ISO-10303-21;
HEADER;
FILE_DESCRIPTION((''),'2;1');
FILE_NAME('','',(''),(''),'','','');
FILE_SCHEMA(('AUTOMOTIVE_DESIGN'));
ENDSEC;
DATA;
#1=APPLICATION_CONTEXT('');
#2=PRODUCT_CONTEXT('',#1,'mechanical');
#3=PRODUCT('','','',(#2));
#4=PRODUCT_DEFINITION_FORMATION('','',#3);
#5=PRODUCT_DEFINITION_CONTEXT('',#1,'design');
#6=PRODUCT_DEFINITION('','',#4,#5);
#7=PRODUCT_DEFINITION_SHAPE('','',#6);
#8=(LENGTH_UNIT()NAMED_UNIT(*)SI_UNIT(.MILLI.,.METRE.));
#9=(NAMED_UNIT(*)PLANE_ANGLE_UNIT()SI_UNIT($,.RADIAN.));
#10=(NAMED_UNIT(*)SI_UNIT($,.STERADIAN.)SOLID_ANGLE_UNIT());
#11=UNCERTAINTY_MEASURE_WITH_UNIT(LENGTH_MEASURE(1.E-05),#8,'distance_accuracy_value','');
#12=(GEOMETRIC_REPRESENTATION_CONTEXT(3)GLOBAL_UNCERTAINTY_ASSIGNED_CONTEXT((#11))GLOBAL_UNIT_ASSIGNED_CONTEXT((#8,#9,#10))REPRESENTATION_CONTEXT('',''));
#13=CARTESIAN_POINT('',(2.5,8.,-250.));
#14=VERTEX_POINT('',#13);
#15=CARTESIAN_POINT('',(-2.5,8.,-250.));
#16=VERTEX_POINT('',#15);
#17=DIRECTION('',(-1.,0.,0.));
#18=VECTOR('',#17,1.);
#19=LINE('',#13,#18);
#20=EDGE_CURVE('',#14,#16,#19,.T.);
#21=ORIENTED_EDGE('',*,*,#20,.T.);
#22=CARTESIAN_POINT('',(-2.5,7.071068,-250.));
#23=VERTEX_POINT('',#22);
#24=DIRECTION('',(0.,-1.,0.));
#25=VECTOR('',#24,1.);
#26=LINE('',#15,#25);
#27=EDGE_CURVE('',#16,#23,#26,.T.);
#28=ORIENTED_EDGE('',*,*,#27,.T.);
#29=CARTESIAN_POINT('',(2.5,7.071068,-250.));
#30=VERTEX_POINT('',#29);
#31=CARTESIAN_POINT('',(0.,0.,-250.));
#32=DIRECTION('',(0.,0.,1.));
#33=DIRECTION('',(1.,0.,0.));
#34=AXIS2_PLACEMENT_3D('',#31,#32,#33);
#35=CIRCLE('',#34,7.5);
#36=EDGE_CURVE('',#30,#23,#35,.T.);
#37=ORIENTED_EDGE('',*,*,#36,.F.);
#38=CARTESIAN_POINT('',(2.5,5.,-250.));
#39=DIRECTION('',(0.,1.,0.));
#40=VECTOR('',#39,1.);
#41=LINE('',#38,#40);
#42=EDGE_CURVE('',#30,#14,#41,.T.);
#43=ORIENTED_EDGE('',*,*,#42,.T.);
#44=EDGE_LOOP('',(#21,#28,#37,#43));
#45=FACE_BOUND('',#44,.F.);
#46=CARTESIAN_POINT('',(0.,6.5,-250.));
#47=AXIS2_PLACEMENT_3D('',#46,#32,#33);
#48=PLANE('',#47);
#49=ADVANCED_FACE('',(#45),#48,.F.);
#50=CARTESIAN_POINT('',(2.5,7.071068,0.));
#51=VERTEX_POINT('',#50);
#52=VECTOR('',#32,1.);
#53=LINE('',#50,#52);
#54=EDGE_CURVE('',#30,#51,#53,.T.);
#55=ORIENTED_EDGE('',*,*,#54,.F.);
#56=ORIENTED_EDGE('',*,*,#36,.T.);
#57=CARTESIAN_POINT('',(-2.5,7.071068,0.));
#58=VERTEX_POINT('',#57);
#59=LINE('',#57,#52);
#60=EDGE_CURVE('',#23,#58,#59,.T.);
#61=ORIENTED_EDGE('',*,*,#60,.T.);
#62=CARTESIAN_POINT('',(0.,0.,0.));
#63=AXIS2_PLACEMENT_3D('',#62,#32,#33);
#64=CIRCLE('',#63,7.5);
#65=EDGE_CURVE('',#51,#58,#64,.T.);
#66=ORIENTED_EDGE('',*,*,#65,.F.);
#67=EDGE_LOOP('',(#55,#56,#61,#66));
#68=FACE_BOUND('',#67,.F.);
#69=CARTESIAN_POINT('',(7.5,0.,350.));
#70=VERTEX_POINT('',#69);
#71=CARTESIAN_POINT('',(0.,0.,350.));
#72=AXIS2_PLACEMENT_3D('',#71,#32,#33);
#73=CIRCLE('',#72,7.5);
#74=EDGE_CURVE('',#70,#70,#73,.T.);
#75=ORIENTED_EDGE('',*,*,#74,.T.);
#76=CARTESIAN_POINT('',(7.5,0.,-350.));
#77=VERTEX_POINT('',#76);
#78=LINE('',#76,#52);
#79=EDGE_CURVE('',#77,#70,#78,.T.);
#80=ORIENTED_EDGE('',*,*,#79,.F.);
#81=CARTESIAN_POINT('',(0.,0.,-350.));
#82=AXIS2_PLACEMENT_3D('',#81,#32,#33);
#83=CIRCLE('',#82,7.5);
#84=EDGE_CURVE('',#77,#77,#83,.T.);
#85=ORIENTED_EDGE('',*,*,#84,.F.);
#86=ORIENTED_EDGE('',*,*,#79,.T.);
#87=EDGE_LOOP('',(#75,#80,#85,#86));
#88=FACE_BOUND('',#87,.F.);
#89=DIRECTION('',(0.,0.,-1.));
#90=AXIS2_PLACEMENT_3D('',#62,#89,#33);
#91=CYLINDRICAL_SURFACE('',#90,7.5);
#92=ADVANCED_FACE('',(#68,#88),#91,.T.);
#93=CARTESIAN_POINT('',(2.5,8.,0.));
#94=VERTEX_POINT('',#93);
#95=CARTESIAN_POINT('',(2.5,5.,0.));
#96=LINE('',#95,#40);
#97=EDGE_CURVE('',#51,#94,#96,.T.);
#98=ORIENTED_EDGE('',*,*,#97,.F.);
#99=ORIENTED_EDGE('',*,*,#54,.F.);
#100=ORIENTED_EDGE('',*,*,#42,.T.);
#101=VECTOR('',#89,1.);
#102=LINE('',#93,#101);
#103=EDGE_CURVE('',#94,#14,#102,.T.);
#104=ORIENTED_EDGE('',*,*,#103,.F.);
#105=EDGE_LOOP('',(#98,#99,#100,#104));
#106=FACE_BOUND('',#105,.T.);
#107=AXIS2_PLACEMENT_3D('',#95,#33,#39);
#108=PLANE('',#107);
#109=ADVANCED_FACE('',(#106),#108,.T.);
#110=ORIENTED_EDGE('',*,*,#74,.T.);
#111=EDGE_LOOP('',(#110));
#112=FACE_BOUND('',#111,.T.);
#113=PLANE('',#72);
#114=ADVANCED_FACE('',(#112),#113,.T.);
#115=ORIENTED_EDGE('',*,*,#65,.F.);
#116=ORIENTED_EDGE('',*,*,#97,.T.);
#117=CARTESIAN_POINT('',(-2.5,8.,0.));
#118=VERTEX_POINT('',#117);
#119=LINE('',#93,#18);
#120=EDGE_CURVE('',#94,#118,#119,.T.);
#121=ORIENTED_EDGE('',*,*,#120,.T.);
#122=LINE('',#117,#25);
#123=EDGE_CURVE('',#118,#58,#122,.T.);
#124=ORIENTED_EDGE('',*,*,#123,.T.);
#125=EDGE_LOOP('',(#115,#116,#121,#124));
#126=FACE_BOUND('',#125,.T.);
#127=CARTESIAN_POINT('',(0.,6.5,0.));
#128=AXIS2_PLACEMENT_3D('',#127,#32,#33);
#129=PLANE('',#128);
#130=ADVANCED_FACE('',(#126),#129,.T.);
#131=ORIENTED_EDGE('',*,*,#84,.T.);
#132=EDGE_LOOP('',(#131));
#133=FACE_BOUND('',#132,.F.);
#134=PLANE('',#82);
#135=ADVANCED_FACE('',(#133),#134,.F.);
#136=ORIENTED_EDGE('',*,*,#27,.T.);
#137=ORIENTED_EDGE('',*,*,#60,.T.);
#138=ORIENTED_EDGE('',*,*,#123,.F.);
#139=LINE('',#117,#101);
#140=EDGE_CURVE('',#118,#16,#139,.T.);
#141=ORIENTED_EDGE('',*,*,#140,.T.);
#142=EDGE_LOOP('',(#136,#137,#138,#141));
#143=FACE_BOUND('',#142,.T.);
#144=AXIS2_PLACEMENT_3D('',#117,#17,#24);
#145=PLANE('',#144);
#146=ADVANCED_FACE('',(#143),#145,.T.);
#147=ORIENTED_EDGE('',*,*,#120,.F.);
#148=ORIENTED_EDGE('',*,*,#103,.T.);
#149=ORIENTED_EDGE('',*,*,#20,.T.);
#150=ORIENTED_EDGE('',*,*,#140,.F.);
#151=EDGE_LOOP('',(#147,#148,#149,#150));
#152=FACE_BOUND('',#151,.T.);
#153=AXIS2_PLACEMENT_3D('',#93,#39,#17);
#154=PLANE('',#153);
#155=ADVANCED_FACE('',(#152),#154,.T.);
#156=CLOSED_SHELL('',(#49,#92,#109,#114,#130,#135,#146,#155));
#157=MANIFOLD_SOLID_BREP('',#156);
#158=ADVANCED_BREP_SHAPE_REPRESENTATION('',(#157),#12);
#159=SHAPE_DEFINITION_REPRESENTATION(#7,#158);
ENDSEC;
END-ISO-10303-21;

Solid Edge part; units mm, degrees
sketch "Sketch1" plane through (0, 0, 0) normal (0, 0, 1) x (1, 0, 0)
  circle A0 centre (0, 0) radius 7.5
  dimension "D1" = 15
extrude "Protrusion1" add sketch "Sketch1" along normal mid plane 700
sketch "Sketch2" plane through (0, 0, 0) normal (0, 0, 1) x (1, 0, 0)
  line L0 (-2.5, 8) -> (-2.5, 5)
  line L1 (-2.5, 5) -> (2.5, 5)
  line L2 (2.5, 5) -> (2.5, 8)
  line L3 (2.5, 8) -> (-2.5, 8)
  dimension "D1" = 3
  dimension "D2" = 5
  dimension "D3" = 5
extrude "ExtrudedProtrusion_2" add sketch "Sketch2" against normal blind 250
